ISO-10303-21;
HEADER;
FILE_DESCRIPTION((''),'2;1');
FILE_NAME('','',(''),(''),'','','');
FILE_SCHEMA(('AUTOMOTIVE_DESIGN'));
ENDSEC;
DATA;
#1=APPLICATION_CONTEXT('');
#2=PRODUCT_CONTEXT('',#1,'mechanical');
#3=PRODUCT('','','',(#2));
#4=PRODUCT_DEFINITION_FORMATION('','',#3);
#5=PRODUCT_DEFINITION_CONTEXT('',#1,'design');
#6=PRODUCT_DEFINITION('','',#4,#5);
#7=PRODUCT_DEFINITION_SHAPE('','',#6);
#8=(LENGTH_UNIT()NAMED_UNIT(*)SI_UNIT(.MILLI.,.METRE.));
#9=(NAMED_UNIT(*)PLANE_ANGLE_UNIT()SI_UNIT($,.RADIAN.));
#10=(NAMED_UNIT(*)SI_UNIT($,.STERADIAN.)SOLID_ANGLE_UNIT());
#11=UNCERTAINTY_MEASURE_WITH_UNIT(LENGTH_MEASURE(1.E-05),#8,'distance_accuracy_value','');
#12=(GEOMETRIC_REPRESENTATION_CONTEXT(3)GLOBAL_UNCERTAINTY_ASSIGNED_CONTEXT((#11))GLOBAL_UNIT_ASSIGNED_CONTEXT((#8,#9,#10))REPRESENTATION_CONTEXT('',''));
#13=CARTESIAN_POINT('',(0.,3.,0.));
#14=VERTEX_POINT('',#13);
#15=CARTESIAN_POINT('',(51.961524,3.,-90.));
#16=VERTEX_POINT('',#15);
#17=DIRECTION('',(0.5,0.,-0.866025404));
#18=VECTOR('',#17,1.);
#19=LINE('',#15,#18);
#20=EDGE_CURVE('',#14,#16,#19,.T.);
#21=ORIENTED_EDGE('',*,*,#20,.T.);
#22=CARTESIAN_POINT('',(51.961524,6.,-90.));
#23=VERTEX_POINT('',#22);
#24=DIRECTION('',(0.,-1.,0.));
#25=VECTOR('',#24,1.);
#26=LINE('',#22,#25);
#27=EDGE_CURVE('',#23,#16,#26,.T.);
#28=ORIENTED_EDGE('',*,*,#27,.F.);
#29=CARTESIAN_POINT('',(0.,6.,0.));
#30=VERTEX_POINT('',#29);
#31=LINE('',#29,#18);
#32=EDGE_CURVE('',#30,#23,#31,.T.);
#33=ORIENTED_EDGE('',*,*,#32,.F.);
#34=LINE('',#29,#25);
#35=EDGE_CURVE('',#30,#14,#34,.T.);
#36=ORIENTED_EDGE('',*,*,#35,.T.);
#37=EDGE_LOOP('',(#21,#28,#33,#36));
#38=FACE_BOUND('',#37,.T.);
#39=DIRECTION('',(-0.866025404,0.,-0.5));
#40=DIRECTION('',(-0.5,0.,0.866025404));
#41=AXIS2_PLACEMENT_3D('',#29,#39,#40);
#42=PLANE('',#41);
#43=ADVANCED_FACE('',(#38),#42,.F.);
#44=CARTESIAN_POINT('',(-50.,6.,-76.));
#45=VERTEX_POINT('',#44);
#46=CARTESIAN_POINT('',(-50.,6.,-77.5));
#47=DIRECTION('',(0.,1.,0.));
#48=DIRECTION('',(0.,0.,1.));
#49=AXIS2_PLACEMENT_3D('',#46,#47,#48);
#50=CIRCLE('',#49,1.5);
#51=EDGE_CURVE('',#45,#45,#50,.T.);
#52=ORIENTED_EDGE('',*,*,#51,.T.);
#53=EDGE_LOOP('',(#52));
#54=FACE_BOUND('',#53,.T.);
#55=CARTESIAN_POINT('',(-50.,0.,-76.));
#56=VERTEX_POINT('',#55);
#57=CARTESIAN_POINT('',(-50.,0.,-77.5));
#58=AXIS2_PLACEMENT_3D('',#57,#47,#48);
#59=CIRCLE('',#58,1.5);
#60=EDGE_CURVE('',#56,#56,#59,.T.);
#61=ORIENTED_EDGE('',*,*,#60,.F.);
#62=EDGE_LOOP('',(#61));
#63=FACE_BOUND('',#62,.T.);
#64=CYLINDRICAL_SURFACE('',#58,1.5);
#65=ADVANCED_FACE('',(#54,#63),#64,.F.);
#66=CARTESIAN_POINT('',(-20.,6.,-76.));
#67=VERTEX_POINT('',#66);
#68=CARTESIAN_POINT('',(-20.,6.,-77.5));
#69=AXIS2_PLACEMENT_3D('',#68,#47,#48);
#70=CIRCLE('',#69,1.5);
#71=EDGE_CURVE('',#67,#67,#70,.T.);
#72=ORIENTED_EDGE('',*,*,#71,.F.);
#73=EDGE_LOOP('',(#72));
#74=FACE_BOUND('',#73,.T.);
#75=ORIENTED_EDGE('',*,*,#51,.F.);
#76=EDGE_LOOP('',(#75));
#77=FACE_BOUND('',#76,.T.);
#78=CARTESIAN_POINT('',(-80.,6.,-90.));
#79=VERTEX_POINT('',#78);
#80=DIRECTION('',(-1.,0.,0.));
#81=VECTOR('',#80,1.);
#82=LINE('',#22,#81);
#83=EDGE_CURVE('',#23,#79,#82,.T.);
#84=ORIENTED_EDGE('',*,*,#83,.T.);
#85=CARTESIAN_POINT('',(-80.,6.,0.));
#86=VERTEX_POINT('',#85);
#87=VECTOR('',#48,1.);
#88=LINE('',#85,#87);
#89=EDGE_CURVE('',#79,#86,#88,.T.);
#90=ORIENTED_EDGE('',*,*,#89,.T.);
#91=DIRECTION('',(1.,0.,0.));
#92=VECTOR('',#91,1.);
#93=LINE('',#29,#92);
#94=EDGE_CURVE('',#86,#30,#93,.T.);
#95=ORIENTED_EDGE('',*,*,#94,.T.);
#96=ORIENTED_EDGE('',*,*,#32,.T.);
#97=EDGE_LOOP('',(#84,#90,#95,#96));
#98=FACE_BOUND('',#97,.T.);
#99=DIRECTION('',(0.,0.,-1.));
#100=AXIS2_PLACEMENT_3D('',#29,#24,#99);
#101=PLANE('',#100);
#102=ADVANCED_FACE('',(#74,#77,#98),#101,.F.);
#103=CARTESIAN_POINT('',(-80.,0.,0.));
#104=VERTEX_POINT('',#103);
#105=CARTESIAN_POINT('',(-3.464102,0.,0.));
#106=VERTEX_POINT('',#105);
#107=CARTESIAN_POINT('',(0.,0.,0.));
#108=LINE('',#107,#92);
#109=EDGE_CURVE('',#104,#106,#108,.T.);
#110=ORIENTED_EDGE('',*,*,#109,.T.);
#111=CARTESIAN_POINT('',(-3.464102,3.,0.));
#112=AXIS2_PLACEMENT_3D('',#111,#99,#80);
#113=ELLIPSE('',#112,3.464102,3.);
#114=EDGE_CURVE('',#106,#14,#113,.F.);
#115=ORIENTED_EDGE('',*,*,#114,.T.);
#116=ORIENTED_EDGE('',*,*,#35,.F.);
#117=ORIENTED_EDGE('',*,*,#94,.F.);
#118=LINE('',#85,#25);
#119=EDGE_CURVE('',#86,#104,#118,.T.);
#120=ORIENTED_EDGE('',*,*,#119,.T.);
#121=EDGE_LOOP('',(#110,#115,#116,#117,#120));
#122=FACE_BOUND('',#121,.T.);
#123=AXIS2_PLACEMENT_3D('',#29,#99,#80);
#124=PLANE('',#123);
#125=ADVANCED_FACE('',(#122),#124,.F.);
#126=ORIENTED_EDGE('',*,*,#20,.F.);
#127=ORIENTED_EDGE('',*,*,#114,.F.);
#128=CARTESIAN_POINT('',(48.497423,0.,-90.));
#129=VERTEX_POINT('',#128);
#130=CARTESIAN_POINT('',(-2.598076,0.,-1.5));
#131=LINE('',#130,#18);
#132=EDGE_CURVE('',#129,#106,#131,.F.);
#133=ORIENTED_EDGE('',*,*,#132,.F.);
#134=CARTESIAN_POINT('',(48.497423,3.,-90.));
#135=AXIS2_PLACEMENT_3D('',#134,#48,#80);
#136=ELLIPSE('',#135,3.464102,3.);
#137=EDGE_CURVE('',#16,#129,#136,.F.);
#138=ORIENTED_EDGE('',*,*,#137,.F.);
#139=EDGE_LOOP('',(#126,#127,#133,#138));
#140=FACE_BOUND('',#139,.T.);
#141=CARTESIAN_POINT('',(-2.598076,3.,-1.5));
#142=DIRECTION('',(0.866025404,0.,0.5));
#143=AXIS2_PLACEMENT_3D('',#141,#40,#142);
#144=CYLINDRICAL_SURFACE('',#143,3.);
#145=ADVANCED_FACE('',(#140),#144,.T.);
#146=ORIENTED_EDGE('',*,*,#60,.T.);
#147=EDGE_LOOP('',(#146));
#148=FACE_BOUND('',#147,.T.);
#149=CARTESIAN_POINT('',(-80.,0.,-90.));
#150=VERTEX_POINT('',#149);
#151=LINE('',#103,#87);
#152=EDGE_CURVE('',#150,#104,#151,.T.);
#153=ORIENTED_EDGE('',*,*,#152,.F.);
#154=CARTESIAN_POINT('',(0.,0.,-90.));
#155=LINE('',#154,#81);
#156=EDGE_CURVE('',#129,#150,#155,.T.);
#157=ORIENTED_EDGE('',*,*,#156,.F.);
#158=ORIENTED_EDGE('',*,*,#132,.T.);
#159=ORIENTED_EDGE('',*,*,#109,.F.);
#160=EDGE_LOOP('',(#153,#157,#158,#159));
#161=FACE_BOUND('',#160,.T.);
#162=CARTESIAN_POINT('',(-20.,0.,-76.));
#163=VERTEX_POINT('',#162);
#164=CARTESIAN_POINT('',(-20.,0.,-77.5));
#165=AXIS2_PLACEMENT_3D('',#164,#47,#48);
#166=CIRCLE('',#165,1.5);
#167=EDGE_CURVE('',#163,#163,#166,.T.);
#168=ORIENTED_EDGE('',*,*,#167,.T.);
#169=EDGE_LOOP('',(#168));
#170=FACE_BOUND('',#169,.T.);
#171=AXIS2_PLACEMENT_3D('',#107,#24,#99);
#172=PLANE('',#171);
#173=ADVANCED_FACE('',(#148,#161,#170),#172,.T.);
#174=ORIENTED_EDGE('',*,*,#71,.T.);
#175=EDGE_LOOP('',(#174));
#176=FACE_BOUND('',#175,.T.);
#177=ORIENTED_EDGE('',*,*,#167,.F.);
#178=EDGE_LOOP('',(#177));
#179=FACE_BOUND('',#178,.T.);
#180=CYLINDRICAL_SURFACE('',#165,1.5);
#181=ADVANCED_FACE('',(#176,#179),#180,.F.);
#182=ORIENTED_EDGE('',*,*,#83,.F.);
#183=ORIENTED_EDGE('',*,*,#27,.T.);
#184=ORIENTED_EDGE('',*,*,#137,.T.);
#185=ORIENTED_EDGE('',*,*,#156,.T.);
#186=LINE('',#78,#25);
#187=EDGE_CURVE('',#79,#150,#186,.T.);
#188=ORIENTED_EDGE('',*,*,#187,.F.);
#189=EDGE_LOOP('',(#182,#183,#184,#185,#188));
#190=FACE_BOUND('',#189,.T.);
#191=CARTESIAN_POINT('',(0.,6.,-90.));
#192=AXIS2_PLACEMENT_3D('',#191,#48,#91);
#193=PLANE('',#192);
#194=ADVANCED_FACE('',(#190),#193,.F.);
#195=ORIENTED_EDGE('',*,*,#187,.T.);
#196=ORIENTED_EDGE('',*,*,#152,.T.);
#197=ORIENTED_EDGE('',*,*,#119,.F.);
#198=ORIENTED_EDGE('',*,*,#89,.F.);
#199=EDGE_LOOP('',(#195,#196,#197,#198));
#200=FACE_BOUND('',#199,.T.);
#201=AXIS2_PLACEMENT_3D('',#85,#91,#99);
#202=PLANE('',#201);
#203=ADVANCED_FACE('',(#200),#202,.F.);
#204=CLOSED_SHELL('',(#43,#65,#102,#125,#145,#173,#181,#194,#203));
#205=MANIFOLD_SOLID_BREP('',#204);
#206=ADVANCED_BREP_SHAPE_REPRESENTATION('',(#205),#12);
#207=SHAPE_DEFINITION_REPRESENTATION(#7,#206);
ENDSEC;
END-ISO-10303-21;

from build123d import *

# Parameters (mm, degrees)
BOSS_EXTRUDE1_DEPTH = 6
FILLET1_R           = 3
SKETCH2_R           = 1.5
CUT_EXTRUDE1_DEPTH  = 121.565334985


with BuildPart() as part:
    # Sketch1 → Boss-Extrude1 (new body)
    with BuildSketch(Plane(origin=(0, 0, 0), x_dir=(1, 0, 0), z_dir=(0, 1, 0))):
        Polygon((0, 0), (51.961524227, 90), (0, 90), (-80, 90), (-80, 0), align=None)
    extrude(amount=BOSS_EXTRUDE1_DEPTH)

    # Fillet1
    fillet1_edges = [part.edges().sort_by_distance(p)[0] for p in [
        (25.980762114, 0, -45),
    ]]
    fillet(fillet1_edges, radius=FILLET1_R)

    # Sketch2 → Cut-Extrude1 (cut, through all)
    with BuildSketch(Plane(origin=(0, 6, 0), x_dir=(1, 0, 0), z_dir=(0, 1, 0))):
        with Locations(Location((-50, 77.5, 0), (0, 0, 270))):
            Circle(SKETCH2_R)
        with Locations(Location((-20, 77.5, 0), (0, 0, 270))):
            Circle(SKETCH2_R)
    extrude(amount=-CUT_EXTRUDE1_DEPTH, mode=Mode.SUBTRACT)


solid = part.part
